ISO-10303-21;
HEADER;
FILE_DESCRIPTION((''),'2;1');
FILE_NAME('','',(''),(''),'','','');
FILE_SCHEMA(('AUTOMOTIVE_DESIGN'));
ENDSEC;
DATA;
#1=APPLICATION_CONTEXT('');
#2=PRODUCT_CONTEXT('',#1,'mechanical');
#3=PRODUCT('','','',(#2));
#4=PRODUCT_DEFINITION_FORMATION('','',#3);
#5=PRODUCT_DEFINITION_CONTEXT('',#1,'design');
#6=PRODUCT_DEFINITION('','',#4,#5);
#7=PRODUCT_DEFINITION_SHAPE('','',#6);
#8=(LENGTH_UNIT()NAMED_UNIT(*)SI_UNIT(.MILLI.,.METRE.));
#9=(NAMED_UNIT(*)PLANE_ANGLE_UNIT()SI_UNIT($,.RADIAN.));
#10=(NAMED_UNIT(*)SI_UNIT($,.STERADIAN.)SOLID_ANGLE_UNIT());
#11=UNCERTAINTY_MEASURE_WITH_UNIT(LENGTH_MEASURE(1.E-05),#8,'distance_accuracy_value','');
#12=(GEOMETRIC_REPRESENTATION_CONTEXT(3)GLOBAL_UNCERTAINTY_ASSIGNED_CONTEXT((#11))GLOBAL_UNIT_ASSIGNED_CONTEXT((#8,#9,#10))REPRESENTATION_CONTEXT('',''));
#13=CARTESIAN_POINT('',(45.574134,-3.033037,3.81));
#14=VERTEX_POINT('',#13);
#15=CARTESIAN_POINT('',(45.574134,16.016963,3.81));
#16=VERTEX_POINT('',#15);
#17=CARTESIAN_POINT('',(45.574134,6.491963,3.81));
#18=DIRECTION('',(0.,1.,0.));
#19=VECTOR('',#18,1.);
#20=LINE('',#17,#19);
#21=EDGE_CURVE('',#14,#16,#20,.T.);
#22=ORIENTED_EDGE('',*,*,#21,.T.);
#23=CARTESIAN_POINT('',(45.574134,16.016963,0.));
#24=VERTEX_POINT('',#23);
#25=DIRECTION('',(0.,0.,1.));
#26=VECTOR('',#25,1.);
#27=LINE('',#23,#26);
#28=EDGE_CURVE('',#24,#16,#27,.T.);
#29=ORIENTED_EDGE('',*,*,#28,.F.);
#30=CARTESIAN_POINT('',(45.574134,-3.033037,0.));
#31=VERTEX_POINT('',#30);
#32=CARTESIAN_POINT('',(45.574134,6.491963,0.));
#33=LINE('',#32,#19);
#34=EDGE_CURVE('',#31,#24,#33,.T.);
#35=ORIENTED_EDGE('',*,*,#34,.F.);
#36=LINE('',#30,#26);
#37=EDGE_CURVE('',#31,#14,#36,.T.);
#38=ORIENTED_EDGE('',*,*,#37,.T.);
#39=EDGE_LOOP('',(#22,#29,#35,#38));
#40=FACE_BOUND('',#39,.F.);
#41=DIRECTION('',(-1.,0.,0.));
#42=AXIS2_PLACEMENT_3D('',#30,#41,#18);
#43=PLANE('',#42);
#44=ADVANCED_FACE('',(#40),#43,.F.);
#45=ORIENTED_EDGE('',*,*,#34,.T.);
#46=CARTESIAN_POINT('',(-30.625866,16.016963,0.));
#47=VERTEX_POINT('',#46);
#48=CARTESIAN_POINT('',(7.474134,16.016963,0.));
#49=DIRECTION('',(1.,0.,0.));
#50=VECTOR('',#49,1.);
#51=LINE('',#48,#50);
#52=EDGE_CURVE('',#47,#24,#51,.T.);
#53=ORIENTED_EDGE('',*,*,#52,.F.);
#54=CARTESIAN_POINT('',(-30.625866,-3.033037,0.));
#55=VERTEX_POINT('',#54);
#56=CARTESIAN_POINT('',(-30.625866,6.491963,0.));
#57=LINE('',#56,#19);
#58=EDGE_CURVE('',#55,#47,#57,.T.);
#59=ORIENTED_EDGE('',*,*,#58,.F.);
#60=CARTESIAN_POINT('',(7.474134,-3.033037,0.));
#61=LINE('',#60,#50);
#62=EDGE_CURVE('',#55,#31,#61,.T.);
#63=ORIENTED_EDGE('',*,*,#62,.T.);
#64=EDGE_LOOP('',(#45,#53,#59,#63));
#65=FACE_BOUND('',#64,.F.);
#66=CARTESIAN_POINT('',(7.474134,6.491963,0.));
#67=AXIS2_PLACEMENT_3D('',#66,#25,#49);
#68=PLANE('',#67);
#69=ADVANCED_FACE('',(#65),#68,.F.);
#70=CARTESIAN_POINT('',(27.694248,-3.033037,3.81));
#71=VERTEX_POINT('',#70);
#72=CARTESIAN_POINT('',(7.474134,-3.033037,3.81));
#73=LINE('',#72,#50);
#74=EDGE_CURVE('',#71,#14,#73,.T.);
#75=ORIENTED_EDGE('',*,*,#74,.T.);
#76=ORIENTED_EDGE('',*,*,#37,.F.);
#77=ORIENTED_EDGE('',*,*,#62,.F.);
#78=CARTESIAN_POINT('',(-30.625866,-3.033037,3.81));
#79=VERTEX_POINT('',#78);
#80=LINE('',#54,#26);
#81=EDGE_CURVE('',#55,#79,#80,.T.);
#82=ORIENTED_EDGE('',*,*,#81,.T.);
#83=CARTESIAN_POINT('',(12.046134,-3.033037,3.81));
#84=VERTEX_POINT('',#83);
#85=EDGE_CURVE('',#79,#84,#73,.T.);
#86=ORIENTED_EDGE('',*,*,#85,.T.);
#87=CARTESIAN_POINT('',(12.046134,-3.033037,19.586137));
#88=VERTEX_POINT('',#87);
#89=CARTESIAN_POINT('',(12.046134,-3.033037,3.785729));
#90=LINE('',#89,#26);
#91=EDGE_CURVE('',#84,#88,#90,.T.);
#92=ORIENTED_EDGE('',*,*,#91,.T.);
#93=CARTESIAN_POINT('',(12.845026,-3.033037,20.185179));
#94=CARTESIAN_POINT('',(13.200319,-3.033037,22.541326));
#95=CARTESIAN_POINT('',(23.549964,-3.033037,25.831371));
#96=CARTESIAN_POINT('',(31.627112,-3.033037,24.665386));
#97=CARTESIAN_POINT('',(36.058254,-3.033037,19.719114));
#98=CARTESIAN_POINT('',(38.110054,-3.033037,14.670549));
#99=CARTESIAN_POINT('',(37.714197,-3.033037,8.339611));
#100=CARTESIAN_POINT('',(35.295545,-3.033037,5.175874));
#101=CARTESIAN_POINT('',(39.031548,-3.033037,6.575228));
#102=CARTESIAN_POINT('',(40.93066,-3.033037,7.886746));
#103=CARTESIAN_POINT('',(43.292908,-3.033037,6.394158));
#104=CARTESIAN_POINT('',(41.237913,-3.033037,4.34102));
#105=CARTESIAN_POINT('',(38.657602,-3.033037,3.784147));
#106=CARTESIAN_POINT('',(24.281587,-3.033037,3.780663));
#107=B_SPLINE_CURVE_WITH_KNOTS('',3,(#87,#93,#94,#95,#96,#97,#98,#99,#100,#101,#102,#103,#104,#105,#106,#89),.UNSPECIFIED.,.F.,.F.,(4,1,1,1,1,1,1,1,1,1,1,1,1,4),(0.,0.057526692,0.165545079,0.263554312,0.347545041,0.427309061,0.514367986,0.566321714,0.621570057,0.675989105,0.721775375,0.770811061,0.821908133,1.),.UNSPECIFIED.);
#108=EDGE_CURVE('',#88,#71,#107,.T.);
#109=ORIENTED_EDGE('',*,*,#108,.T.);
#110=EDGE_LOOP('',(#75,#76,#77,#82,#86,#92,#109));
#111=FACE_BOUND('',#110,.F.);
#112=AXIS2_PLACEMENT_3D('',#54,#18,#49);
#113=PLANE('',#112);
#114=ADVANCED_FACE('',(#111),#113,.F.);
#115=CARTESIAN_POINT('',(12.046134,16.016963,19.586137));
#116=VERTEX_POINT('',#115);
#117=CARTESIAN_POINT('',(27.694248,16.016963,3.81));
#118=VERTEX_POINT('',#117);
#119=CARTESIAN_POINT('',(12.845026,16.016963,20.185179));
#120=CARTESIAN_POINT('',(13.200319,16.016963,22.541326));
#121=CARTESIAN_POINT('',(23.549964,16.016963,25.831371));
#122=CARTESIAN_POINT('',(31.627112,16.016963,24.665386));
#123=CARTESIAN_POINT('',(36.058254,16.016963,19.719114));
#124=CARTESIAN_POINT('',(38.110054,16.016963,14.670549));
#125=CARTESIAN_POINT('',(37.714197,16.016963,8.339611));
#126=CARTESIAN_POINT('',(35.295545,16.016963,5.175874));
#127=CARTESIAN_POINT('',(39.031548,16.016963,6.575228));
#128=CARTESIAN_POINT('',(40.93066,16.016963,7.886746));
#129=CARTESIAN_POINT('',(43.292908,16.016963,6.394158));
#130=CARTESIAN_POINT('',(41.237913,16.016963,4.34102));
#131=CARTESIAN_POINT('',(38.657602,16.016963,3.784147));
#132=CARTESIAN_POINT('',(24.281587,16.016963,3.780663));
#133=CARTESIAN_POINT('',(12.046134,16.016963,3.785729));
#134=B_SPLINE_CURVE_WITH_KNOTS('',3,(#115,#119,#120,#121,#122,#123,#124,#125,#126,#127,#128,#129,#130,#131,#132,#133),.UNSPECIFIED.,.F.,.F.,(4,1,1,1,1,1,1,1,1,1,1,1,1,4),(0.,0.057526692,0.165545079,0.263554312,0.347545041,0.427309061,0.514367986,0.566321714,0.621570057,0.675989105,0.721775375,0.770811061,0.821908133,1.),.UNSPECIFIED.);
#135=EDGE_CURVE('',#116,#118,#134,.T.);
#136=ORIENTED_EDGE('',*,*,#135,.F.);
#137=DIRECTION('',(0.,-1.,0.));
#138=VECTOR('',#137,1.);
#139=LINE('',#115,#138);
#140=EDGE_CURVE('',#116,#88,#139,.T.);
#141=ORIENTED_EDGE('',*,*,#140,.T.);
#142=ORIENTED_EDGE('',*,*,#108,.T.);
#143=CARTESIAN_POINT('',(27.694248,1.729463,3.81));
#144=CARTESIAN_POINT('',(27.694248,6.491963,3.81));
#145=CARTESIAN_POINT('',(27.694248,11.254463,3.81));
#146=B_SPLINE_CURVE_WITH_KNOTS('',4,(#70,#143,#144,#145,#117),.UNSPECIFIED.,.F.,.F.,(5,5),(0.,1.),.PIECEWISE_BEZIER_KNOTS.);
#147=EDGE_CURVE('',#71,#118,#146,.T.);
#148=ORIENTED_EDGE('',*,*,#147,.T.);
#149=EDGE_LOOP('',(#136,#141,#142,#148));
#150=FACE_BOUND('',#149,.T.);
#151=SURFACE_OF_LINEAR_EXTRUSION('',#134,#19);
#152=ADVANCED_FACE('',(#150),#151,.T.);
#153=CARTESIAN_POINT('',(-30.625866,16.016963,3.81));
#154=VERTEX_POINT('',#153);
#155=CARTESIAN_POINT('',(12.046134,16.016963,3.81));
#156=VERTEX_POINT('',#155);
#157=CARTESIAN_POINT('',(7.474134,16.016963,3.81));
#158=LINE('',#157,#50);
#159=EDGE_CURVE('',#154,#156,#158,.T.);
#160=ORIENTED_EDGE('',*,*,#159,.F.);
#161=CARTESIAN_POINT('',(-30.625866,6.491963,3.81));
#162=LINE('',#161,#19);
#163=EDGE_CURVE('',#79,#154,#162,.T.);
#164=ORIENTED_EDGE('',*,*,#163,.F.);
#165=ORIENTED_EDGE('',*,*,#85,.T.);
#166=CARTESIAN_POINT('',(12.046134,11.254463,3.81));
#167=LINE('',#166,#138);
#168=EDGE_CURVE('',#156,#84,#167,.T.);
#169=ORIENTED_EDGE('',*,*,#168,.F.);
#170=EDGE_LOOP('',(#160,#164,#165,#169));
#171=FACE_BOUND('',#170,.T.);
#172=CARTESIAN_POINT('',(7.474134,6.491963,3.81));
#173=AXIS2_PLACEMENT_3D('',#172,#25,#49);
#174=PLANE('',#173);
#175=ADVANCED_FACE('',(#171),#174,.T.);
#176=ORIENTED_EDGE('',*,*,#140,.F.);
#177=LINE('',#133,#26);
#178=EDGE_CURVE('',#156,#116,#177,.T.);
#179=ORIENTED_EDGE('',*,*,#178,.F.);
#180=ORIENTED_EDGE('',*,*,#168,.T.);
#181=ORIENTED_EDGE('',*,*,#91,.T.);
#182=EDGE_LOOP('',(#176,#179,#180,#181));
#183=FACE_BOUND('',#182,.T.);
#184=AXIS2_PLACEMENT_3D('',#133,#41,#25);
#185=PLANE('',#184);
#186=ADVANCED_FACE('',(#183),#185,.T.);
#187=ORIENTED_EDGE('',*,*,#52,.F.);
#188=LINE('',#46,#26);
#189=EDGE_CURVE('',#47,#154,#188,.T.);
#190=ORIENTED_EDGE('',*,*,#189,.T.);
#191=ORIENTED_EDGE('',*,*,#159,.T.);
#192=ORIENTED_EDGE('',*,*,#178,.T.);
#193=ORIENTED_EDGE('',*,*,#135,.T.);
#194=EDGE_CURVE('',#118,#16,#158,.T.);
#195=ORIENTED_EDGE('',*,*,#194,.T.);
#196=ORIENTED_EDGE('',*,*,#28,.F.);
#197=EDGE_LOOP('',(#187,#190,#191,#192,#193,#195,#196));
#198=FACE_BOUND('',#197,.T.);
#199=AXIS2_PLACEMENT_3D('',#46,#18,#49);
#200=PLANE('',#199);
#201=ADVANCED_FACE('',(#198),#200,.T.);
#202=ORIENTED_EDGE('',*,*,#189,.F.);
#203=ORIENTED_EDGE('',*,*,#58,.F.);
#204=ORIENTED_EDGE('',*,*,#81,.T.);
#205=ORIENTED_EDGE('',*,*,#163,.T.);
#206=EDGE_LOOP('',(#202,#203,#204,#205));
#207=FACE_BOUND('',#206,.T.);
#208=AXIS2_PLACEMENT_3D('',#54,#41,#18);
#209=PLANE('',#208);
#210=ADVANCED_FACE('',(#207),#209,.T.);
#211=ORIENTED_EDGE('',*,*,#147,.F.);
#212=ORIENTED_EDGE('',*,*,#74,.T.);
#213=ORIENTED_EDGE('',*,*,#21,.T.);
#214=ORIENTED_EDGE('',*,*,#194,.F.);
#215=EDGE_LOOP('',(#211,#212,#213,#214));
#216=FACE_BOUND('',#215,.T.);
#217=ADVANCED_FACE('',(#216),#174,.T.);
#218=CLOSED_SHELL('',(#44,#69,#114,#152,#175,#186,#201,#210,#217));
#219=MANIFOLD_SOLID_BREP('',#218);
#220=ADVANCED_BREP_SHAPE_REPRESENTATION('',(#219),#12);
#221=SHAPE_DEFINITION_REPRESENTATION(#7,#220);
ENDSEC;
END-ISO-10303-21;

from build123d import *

# Parameters (mm, degrees)
F0_W     = 76.2
F0_H     = 19.05
F1_DEPTH = 3.81
F5_DEPTH = 19.05


with BuildPart() as f1:
    # F0 (on Top) → F1 (new body)
    with BuildSketch(Plane.XY):
        with Locations((7.4741337448, 6.4919628284)):
            Rectangle(F0_W, F0_H)
    extrude(amount=F1_DEPTH)

    # F4 (on offset) → F5 (join)
    with BuildSketch(Plane(origin=(0, 16.0169628284, 0), x_dir=(-1, 0, 0), z_dir=(0, 1, 0))):
        with BuildLine():
            Line((-12.0461337448, 3.7857289426), (-12.0461337448, 4.3461374483))
            Line((-12.0461337448, 4.3461374483), (-12.0461337448, 19.5861374483))
            add(Edge.make_bspline(
                [(-12.0461337448, 19.5861374483), (-12.8450258305, 20.1851786791), (-13.2003187591, 22.541325824), (-23.5499643659, 25.8313706081), (-31.6271121717, 24.6653862833), (-36.0582542895, 19.7191143335), (-38.1100543034, 14.6705489424), (-37.7141967025, 8.3396109719), (-35.295545459, 5.1758742646), (-39.0315481505, 6.5752277484), (-40.9306601916, 7.8867458281), (-43.2929081778, 6.3941576735), (-41.2379129088, 4.3410196268), (-38.6576023854, 3.7841473352), (-24.2815873475, 3.7806625507), (-12.0461337448, 3.7857289426)],
                knots=[0, 0, 0, 0, 0.0575266924, 0.1655450789, 0.2635543118, 0.3475450412, 0.4273090606, 0.5143679861, 0.566321714, 0.6215700567, 0.6759891049, 0.7217753751, 0.7708110605, 0.8219081326, 1, 1, 1, 1], degree=3))
        make_face()
    extrude(amount=-F5_DEPTH)


solid = f1.part
